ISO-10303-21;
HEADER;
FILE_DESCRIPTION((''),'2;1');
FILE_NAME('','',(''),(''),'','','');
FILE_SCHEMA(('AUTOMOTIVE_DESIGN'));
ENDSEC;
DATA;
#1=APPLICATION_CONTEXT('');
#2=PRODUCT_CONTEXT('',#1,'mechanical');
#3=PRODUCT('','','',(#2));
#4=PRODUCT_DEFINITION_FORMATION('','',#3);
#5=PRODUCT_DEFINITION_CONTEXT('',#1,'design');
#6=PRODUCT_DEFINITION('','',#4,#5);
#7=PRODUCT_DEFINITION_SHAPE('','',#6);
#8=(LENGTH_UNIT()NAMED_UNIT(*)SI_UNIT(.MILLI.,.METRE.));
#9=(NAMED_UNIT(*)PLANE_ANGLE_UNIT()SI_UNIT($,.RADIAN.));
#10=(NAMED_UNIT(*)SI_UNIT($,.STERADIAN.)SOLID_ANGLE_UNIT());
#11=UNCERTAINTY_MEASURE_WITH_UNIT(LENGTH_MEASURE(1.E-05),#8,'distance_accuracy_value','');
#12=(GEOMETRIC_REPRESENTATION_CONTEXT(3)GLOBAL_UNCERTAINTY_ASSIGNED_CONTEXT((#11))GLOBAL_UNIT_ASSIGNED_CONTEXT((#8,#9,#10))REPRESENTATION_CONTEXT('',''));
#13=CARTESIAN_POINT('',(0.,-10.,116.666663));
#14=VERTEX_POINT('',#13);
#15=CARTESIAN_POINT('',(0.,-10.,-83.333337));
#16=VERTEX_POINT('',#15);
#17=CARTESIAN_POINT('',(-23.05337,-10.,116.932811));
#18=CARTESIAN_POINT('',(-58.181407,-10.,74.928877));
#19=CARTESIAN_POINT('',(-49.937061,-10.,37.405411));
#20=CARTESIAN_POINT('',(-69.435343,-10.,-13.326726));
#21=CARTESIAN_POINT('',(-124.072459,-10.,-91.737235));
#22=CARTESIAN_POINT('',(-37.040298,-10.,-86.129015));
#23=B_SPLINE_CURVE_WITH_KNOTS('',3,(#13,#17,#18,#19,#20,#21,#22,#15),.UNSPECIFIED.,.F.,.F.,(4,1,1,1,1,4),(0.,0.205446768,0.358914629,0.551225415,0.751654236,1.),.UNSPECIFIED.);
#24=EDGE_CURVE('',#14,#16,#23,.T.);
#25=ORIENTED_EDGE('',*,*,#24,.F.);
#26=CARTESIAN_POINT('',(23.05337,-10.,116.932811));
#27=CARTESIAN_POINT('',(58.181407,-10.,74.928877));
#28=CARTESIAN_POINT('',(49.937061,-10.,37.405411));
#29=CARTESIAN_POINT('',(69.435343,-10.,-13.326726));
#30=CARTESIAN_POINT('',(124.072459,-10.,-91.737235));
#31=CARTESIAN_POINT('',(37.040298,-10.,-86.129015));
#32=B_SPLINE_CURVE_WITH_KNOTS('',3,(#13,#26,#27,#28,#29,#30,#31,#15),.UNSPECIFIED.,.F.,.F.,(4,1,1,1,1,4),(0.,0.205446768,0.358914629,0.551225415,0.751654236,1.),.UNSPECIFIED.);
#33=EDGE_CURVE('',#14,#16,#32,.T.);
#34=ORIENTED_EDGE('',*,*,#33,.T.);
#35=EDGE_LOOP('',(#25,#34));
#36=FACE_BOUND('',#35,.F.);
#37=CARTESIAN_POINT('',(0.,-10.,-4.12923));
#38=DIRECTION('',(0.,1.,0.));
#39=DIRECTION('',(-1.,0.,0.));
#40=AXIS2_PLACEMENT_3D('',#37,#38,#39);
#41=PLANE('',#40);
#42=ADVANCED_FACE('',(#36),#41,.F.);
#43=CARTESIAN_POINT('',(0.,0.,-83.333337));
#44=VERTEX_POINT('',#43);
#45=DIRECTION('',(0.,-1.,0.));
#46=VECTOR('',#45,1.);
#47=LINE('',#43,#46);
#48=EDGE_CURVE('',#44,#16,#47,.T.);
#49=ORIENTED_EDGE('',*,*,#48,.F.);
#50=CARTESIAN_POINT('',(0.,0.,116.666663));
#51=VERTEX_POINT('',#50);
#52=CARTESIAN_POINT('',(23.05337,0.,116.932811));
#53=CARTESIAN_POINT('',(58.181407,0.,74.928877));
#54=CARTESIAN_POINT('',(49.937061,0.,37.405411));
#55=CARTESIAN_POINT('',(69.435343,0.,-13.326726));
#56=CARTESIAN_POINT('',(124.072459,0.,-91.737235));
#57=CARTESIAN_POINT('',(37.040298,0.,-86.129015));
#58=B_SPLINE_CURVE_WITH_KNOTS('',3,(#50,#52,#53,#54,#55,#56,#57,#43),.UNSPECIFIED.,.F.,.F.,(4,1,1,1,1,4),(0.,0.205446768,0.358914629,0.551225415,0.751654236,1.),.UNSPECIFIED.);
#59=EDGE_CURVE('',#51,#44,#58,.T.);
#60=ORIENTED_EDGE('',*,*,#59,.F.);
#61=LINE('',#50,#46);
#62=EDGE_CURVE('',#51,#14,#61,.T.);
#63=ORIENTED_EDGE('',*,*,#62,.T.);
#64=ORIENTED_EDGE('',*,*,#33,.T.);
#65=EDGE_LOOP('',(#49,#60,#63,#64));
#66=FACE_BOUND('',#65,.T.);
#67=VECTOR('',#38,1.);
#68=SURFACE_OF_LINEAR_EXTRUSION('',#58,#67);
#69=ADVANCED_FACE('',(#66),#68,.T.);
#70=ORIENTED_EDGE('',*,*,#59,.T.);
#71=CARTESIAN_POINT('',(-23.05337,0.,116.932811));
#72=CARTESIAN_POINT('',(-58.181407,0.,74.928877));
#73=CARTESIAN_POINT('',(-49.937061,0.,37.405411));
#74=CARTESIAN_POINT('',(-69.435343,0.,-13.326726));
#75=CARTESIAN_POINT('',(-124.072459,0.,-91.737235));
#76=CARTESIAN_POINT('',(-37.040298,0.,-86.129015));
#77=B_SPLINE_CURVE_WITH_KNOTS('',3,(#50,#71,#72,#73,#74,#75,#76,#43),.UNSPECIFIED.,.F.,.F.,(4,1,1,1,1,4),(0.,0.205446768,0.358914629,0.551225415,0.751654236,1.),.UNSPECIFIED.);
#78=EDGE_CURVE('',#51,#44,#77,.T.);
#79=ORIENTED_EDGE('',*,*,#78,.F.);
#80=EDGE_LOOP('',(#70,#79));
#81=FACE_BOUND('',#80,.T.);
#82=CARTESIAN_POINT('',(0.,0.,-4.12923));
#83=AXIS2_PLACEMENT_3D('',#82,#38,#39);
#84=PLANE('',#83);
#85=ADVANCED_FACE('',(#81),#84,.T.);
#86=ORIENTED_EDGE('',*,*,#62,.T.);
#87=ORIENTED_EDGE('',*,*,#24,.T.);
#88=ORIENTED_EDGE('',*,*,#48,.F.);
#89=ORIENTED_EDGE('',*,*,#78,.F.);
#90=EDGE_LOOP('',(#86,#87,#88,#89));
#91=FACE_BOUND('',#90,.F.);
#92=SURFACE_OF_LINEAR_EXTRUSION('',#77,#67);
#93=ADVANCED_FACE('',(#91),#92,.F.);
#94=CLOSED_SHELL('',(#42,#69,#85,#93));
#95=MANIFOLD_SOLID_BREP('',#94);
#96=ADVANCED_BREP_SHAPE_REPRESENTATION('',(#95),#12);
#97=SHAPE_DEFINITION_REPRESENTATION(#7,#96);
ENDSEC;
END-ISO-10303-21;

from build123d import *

# Parameters (mm, degrees)
F1_DEPTH = 10


with BuildPart() as f1:
    # F0 (on Front) → F1 (new body)
    with BuildSketch(Plane.XZ):
        with BuildLine():
            add(Edge.make_bspline(
                [(0, 116.6666628956), (23.0533697316, 116.9328106273), (58.1814074045, 74.9288766708), (49.9370613705, 37.4054108077), (69.4353429984, -13.3267263291), (124.0724593758, -91.7372351703), (37.0402980819, -86.1290148152), (0, -83.3333371044)],
                knots=[0, 0, 0, 0, 0.205446768, 0.3589146289, 0.5512254153, 0.7516542364, 1, 1, 1, 1], degree=3))
            add(Edge.make_bspline(
                [(0, 116.6666628956), (-23.0533697316, 116.9328106273), (-58.1814074045, 74.9288766708), (-49.9370613705, 37.4054108077), (-69.4353429984, -13.3267263291), (-124.0724593758, -91.7372351703), (-37.0402980819, -86.1290148152), (0, -83.3333371044)],
                knots=[0, 0, 0, 0, 0.205446768, 0.3589146289, 0.5512254153, 0.7516542364, 1, 1, 1, 1], degree=3))
        make_face()
    extrude(amount=F1_DEPTH)


solid = f1.part
